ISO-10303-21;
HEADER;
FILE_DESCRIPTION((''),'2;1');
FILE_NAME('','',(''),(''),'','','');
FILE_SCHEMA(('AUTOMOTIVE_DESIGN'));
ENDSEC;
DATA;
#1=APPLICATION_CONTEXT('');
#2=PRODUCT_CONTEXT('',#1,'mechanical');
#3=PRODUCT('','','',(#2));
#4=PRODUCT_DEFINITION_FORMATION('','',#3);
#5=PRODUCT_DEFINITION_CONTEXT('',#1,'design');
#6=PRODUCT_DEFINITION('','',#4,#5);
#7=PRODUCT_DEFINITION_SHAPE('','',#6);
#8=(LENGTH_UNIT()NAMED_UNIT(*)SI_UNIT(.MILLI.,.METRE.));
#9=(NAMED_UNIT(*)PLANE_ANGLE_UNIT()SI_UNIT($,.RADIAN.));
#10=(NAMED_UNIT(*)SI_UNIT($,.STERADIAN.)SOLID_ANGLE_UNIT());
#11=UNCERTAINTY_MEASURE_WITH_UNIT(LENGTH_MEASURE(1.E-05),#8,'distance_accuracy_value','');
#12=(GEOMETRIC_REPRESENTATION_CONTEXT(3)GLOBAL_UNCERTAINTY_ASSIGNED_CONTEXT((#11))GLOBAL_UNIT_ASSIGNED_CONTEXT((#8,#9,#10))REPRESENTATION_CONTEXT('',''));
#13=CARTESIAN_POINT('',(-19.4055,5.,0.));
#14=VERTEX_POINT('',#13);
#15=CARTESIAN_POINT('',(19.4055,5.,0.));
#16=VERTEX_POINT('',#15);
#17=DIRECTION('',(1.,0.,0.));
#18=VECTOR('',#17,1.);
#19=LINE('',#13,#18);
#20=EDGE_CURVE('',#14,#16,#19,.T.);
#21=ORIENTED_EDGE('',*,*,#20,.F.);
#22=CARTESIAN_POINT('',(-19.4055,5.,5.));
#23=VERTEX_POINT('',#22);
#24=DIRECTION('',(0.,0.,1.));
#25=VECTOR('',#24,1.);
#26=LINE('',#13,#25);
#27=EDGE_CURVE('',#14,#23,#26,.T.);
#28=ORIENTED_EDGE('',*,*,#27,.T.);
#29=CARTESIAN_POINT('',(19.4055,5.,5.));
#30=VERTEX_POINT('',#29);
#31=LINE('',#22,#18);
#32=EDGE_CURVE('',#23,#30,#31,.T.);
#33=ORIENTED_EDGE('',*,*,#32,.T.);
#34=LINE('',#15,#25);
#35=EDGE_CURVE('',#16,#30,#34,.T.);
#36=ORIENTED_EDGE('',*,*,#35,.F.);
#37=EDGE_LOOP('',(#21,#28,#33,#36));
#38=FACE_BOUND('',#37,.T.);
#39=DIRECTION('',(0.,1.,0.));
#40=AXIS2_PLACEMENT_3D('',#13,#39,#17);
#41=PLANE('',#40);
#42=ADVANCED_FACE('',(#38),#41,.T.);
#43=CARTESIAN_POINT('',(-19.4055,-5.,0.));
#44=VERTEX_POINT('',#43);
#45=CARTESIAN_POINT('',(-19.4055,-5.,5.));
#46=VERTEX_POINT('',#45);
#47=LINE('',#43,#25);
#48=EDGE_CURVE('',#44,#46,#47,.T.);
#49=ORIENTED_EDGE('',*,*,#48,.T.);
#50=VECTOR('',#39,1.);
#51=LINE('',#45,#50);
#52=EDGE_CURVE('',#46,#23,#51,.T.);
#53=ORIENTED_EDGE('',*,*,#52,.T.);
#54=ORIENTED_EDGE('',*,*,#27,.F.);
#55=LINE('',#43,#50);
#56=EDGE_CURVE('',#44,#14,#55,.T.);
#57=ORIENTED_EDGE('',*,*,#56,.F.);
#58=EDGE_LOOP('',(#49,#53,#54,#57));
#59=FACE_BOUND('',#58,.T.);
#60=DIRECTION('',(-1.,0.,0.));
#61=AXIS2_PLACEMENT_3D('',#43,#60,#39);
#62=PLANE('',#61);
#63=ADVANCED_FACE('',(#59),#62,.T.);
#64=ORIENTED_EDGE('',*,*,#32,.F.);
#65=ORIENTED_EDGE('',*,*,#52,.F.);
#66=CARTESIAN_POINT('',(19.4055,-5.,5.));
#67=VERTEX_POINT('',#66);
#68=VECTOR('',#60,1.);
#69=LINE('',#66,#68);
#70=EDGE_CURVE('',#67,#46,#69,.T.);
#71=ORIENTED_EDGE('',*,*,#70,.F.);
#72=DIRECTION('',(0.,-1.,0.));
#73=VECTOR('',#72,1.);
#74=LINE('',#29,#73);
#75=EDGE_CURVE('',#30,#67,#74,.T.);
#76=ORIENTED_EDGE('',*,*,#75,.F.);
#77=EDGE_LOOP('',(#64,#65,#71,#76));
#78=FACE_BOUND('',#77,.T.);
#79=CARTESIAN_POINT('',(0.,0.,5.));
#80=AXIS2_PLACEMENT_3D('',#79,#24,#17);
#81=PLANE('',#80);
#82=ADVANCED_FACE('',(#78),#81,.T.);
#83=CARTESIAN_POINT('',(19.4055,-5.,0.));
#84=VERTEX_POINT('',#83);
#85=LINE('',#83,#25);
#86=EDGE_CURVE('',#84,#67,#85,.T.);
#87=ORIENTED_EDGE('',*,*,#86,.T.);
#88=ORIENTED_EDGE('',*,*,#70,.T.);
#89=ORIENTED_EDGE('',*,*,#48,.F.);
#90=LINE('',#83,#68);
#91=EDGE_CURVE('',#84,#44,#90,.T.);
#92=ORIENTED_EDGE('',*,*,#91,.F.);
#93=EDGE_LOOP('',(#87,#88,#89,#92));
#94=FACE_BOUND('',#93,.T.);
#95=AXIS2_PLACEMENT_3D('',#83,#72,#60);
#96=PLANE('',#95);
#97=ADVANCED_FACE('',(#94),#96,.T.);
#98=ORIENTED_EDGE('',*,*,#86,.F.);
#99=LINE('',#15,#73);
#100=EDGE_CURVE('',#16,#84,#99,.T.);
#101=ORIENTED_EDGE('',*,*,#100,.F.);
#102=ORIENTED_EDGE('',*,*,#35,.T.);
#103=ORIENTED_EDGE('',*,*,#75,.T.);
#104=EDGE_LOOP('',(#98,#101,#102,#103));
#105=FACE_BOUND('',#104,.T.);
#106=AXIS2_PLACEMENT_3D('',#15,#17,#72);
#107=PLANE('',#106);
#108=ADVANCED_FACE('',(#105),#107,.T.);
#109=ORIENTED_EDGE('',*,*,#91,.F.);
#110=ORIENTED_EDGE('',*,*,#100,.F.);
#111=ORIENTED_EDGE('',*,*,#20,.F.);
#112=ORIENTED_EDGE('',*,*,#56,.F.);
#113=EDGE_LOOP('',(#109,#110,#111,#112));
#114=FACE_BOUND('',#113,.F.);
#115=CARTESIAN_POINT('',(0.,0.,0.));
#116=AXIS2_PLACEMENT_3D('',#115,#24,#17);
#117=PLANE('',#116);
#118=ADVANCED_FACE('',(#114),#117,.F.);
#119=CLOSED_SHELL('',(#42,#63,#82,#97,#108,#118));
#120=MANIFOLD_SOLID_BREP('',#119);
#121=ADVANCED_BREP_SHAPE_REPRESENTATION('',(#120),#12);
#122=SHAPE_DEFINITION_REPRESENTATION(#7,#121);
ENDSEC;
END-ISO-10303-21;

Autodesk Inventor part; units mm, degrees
ref_plane "YZ Plane" through (0, 0, 0) normal (1, 0, 0) x (0, 1, 0)
ref_plane "XZ Plane" through (0, 0, 0) normal (0, 1, 0) x (-1, 0, 0)
ref_plane "XY Plane" through (0, 0, 0) normal (0, 0, 1) x (1, 0, 0)
sketch "스케치1" plane through (0, 0, 0) normal (0, 0, 1) x (1, 0, 0)
  line L0 (19.4055, -5) -> (-19.4055, -5)
  line L1 (-19.4055, -5) -> (-19.4055, 5)
  line L2 (-19.4055, 5) -> (19.4055, 5)
  line L3 (19.4055, 5) -> (19.4055, -5)
  line L4 (19.4055, -5) -> (-19.4055, 5) construction
  line L5 (-19.4055, -5) -> (19.4055, 5) construction
  point P0 (0, 0)
  dimension "d0" = 38.811
  dimension "d1" = 10
extrude "돌출1" add sketch "스케치1" along normal blind 5
properties part number "240626_chair7"
